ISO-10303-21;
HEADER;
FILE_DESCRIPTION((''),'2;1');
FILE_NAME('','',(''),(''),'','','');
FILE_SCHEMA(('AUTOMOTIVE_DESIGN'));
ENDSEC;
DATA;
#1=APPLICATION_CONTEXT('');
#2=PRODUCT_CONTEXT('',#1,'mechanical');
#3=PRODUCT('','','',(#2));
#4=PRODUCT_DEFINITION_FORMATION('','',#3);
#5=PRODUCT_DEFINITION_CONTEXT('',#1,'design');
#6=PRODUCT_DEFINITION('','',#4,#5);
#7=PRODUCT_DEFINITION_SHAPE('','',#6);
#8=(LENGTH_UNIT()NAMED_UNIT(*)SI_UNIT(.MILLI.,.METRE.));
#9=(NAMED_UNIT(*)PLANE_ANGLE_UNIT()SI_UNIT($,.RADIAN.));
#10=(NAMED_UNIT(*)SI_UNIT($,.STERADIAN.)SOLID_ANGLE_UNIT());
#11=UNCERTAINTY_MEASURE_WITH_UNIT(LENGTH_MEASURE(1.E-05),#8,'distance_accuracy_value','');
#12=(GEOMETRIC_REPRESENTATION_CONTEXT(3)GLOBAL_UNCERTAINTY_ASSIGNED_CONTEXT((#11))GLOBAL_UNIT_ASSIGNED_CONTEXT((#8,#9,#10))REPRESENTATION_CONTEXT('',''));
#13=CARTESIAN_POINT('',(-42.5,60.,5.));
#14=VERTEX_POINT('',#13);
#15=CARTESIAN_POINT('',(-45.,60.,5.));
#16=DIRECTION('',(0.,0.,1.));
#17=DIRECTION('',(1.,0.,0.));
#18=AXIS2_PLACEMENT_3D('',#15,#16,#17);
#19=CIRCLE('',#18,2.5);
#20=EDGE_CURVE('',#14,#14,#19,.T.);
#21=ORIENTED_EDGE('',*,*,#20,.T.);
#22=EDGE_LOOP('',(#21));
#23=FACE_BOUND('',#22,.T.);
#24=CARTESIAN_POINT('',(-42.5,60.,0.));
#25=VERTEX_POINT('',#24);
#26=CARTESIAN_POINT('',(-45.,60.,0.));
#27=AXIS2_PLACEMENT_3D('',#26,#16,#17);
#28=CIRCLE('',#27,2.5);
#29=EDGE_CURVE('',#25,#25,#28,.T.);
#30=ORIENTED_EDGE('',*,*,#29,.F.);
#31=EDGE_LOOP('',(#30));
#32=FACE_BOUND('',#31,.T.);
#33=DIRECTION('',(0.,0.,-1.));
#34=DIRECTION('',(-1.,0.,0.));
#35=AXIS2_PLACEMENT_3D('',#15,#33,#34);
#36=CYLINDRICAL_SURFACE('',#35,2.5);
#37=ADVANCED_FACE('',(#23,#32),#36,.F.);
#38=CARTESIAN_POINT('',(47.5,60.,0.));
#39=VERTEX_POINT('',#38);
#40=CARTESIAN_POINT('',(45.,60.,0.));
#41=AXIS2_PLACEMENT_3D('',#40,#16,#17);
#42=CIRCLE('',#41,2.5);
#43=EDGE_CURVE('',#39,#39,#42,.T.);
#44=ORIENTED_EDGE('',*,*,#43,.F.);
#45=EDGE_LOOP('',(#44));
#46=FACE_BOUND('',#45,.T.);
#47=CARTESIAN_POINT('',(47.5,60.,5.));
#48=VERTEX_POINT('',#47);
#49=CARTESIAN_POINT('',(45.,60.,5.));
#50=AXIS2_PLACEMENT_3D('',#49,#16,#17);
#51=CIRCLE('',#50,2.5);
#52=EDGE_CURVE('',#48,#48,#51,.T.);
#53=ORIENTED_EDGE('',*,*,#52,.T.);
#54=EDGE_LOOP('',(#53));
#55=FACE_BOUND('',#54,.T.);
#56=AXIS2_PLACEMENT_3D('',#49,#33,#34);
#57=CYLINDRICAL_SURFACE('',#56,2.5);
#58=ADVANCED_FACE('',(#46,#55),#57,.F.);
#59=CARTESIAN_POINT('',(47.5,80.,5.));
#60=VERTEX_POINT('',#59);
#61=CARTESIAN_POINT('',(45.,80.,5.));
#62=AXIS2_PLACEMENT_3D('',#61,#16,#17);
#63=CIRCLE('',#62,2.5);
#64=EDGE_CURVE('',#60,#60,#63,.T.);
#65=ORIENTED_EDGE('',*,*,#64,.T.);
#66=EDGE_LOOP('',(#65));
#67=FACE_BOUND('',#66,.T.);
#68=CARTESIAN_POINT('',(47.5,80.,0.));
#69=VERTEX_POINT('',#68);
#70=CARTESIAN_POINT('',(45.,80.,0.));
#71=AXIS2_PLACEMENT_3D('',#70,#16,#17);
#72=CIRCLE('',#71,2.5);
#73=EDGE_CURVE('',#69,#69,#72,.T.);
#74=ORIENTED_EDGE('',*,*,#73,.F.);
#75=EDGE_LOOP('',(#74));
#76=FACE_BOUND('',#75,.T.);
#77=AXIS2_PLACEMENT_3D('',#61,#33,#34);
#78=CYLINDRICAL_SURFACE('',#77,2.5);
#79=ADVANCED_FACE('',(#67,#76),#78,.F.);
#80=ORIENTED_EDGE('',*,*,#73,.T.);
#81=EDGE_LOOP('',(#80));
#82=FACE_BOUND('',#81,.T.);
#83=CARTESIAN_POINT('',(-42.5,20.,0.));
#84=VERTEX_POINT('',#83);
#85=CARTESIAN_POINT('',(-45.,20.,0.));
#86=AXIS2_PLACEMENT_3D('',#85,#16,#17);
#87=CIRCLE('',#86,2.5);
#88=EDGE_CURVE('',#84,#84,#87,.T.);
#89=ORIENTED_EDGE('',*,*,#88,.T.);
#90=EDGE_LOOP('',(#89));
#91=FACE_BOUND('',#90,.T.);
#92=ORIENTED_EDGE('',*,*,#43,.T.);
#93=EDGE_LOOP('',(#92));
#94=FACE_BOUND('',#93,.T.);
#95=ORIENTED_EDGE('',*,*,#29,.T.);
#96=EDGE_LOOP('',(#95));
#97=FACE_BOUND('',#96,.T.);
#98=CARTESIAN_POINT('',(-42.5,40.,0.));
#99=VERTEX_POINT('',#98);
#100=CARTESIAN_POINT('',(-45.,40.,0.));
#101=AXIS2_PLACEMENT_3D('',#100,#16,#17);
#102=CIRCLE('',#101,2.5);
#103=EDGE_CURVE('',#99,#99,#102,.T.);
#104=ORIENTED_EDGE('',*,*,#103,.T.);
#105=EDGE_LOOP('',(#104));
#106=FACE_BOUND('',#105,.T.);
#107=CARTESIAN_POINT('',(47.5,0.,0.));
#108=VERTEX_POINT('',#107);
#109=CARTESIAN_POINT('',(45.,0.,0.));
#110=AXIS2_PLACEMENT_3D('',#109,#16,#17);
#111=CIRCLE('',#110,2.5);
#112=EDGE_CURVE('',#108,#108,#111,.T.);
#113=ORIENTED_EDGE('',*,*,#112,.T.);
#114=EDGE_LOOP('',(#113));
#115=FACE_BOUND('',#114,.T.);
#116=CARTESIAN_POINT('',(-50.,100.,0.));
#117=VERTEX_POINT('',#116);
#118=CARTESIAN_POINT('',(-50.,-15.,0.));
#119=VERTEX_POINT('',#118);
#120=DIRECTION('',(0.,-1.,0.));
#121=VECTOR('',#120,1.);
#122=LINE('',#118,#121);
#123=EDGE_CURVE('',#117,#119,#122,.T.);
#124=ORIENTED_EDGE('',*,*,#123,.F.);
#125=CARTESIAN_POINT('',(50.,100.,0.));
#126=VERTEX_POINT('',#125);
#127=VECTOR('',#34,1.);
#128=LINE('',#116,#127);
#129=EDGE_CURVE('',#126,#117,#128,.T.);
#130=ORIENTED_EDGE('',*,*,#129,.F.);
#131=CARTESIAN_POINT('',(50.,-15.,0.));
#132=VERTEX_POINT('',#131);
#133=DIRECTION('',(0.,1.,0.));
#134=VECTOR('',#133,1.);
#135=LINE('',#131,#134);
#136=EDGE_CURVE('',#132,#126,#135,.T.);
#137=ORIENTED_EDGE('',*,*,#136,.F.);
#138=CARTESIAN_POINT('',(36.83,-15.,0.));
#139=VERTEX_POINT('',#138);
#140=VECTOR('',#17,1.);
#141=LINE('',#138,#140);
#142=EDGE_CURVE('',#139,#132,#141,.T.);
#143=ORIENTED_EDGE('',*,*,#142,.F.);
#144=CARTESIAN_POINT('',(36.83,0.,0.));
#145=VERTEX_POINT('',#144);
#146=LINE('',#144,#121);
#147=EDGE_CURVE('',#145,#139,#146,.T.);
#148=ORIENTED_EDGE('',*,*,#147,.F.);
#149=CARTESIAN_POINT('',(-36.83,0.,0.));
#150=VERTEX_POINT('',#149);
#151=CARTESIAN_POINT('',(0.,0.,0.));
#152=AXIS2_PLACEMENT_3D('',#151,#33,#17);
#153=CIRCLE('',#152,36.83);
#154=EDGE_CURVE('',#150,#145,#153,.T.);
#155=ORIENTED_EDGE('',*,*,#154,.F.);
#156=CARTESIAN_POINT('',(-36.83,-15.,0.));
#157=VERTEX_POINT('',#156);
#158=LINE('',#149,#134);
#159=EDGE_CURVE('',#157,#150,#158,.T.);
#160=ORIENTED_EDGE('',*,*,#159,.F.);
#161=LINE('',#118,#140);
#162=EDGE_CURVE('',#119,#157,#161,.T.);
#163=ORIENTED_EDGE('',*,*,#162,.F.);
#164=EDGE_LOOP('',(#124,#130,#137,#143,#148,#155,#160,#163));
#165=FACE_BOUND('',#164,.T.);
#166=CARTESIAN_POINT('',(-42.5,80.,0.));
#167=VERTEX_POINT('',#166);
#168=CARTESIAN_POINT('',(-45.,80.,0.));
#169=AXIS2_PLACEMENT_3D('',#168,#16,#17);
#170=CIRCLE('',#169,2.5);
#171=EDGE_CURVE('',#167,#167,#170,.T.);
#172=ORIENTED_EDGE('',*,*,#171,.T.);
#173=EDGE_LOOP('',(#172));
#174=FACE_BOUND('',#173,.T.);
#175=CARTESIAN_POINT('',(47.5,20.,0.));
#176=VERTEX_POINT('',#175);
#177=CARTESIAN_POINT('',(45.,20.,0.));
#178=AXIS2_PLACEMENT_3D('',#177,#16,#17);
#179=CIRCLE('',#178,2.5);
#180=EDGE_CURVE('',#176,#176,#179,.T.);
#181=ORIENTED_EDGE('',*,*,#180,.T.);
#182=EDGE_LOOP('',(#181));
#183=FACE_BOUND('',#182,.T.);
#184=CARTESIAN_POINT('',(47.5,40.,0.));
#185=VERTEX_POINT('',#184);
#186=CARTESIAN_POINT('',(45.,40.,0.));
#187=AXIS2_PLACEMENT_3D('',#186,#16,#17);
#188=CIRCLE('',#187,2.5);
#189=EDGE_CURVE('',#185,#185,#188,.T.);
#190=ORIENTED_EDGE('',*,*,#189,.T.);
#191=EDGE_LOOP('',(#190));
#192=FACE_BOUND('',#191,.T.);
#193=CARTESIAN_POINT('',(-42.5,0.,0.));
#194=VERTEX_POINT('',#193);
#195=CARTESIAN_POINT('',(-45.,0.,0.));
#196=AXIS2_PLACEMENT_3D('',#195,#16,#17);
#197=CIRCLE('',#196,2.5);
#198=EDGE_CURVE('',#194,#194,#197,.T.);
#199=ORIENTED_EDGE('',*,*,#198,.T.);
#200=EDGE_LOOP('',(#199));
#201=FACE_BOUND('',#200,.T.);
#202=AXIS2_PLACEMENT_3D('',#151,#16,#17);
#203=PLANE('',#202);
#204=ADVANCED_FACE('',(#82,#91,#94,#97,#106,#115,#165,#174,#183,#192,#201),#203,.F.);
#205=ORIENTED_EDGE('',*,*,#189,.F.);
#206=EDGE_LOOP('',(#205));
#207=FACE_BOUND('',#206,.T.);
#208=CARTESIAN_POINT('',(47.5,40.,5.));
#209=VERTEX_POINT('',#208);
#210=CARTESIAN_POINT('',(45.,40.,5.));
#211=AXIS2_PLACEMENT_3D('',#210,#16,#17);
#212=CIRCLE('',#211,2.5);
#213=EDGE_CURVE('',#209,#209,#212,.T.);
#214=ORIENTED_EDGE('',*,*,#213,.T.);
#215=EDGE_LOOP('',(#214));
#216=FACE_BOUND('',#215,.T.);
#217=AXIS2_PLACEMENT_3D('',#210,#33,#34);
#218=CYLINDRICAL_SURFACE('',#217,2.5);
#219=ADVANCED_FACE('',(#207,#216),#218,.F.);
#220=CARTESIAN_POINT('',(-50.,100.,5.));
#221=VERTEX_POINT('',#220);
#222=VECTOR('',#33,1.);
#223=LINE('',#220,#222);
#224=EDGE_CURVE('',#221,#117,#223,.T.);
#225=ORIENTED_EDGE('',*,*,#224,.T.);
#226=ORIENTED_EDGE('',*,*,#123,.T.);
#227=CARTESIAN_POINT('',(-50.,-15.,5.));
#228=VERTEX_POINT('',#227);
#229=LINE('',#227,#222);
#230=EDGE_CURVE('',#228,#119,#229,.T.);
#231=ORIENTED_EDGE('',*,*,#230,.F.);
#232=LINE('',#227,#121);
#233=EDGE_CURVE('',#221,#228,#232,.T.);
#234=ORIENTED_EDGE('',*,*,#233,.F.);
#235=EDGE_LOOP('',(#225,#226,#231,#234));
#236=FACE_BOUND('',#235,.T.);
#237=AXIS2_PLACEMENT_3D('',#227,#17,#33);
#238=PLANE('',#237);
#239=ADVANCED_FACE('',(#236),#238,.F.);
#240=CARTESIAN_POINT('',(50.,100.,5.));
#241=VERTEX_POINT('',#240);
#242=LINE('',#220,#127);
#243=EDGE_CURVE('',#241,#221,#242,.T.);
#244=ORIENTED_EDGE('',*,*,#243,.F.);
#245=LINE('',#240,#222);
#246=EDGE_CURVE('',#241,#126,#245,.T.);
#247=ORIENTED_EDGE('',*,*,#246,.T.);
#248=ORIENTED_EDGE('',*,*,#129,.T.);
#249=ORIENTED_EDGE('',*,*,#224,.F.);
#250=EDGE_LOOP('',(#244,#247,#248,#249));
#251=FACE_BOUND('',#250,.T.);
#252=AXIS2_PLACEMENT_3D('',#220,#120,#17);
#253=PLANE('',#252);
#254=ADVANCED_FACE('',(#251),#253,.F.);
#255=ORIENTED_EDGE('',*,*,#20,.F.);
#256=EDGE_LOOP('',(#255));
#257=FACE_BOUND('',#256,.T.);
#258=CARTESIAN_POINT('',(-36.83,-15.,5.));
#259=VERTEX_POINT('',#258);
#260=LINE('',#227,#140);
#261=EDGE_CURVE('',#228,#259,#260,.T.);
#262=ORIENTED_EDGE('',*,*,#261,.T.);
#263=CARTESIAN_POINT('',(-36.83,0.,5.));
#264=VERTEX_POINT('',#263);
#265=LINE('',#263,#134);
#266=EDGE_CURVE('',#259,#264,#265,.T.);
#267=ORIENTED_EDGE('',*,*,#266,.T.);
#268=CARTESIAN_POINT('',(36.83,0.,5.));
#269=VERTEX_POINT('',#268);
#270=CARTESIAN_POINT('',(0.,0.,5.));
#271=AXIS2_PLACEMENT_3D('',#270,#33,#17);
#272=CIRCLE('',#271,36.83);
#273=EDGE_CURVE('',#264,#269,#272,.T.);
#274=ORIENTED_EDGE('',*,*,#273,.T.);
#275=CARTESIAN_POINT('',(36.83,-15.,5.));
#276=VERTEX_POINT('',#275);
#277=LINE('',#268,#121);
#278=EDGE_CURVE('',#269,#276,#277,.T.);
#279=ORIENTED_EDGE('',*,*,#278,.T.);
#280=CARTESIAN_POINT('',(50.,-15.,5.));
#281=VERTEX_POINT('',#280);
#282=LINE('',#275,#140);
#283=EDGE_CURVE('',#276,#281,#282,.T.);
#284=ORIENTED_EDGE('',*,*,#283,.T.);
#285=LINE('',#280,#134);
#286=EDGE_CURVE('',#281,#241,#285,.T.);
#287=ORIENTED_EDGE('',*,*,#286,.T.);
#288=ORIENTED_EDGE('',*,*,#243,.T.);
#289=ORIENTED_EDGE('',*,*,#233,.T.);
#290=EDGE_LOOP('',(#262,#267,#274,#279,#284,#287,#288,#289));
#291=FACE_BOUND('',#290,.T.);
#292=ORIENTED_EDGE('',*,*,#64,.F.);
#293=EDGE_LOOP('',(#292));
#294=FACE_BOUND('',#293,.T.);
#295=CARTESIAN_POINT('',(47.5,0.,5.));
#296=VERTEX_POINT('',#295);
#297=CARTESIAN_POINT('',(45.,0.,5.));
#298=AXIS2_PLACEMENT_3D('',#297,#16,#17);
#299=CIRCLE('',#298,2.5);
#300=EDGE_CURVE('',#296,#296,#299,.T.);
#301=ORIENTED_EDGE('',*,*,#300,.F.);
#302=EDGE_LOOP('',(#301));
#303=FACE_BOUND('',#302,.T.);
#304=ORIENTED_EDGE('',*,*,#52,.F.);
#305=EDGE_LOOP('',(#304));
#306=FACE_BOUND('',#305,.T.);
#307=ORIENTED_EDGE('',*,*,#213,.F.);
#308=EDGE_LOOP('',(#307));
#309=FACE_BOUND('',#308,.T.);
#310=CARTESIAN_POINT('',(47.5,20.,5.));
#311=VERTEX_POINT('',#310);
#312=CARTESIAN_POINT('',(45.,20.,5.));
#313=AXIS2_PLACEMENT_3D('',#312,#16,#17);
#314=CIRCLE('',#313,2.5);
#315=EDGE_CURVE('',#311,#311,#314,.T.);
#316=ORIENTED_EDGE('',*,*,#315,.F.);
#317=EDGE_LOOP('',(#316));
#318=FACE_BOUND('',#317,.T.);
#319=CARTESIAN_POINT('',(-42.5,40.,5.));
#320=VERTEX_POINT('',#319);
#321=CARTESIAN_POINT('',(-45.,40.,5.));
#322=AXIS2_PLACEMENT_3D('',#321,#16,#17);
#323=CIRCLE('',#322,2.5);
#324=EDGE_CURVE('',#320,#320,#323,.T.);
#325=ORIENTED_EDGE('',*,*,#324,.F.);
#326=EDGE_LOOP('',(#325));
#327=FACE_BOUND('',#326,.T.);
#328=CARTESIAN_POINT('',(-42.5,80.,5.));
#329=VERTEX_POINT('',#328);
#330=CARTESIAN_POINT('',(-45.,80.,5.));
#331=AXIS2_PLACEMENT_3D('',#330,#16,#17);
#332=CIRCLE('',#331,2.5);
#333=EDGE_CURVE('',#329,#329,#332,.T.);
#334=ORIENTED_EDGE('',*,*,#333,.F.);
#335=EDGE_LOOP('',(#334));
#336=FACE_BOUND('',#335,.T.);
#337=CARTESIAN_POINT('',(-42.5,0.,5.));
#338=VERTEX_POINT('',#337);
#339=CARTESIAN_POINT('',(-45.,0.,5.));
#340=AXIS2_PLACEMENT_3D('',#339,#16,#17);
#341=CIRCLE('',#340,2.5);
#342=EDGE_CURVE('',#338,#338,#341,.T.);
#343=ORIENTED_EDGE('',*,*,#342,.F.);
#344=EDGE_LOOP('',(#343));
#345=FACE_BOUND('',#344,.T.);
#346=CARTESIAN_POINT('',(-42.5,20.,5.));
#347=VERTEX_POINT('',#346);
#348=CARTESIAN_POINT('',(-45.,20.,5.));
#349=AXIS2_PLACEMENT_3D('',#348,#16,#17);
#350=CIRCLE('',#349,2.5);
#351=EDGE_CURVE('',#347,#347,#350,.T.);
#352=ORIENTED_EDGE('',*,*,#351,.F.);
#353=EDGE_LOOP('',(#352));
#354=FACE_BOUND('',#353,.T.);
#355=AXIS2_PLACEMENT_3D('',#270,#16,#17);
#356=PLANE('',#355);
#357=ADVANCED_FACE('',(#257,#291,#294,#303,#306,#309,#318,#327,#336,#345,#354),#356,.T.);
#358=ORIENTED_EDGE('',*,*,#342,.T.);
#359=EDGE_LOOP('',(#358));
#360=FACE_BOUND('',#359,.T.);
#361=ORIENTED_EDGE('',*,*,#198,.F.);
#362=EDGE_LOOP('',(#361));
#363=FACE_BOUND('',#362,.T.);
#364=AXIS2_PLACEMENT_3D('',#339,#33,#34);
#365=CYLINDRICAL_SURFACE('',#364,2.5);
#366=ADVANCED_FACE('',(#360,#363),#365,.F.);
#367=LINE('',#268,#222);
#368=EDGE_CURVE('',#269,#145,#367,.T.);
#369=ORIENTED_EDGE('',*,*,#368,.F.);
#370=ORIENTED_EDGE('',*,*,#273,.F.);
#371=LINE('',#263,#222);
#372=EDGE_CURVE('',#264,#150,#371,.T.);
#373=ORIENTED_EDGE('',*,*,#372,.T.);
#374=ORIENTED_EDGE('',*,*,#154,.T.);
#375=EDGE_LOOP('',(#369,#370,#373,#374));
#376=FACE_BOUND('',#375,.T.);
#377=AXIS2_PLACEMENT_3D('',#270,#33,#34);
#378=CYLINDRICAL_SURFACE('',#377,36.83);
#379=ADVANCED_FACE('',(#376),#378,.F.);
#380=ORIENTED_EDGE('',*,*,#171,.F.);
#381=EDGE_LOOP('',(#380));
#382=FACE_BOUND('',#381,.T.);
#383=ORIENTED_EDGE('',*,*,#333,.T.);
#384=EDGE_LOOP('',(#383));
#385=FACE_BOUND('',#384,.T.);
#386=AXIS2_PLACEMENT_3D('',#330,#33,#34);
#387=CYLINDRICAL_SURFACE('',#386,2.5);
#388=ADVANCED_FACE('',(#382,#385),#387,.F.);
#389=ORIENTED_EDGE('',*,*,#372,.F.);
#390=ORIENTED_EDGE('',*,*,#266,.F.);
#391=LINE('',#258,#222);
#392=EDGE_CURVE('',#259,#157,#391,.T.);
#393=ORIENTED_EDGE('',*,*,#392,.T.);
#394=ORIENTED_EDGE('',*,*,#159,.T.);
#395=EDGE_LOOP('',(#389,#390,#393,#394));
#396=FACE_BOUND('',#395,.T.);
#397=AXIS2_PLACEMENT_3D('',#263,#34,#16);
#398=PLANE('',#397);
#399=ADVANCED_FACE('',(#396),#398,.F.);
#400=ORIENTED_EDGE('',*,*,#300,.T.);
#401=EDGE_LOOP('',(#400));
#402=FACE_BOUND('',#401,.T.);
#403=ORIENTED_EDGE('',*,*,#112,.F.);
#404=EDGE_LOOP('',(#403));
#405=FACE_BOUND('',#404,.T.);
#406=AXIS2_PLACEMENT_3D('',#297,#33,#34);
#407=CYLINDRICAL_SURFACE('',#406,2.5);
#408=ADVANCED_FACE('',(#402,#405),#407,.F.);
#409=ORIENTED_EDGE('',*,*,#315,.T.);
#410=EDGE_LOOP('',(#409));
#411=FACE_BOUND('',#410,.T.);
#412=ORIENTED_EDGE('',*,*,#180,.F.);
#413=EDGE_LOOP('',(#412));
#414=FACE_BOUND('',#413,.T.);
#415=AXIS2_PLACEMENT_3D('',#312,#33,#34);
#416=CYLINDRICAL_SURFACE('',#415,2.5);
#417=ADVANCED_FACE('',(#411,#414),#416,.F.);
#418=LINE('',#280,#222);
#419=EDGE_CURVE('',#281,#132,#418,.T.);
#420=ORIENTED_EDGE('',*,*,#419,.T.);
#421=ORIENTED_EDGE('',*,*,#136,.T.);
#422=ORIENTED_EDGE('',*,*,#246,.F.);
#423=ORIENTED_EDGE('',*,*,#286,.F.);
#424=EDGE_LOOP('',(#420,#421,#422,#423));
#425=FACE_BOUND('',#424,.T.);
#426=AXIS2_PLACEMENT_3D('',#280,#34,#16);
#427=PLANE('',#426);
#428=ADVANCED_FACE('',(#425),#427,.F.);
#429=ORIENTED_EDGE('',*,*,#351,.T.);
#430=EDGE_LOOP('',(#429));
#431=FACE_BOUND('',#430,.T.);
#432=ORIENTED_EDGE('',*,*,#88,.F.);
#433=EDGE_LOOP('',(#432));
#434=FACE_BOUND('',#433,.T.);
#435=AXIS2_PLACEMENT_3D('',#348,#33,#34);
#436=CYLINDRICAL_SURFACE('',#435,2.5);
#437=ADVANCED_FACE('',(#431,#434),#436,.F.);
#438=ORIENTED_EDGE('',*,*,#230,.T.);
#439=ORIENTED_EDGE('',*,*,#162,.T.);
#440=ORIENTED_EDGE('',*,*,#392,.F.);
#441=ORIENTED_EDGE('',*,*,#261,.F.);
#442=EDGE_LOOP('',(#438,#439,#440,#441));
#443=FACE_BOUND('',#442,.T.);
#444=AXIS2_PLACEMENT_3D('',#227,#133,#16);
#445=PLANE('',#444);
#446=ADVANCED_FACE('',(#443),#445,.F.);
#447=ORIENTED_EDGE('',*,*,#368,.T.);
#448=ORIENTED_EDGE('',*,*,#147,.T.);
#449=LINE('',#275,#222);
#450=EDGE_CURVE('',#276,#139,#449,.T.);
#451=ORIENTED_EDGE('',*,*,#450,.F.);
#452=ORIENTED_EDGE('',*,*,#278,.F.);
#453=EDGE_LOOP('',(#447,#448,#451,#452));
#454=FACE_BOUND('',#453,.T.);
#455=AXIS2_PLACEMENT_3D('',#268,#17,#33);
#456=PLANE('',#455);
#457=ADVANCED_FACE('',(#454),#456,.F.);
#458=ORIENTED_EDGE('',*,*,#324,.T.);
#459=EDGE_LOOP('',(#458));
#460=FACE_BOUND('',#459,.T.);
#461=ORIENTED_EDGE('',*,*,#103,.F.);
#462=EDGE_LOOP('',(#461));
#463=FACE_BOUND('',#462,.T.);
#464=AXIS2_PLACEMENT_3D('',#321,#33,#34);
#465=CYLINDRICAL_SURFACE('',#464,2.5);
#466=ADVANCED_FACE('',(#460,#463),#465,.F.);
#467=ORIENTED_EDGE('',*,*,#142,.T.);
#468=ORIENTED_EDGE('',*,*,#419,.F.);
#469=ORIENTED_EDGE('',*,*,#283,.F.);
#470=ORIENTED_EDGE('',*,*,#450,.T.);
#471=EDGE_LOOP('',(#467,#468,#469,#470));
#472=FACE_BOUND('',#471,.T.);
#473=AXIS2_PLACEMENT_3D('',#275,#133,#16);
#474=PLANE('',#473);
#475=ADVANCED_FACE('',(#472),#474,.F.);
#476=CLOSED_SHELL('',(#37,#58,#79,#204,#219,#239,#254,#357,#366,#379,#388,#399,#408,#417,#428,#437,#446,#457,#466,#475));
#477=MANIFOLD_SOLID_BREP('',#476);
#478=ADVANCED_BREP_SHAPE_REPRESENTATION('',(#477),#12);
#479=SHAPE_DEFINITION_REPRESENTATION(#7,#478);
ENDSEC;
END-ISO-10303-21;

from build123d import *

# Parameters (mm, degrees)
SKETCH1_R           = 2.5
BOSS_EXTRUDE1_DEPTH = 5


with BuildPart() as part:
    # Sketch1 → Boss-Extrude1 (new body)
    with BuildSketch(Plane.XY):
        with BuildLine():
            Line((-50, -15), (-50, 100))
            Line((-50, 100), (50, 100))
            Line((50, 100), (50, -15))
            Line((50, -15), (36.83, -15))
            Line((36.83, -15), (36.83, 0))
            ThreePointArc((36.83, 0), (0, 36.83), (-36.83, 0))
            Line((-36.83, 0), (-36.83, -15))
            Line((-36.83, -15), (-50, -15))
        make_face()
        with Locations((-45, 0)):
            Circle(SKETCH1_R, mode=Mode.SUBTRACT)
        with Locations((45, 0)):
            Circle(SKETCH1_R, mode=Mode.SUBTRACT)
        with Locations((45, 20)):
            Circle(SKETCH1_R, mode=Mode.SUBTRACT)
        with Locations((45, 40)):
            Circle(SKETCH1_R, mode=Mode.SUBTRACT)
        with Locations((45, 60)):
            Circle(SKETCH1_R, mode=Mode.SUBTRACT)
        with Locations((45, 80)):
            Circle(SKETCH1_R, mode=Mode.SUBTRACT)
        with Locations((-45, 20)):
            Circle(SKETCH1_R, mode=Mode.SUBTRACT)
        with Locations((-45, 40)):
            Circle(SKETCH1_R, mode=Mode.SUBTRACT)
        with Locations((-45, 60)):
            Circle(SKETCH1_R, mode=Mode.SUBTRACT)
        with Locations((-45, 80)):
            Circle(SKETCH1_R, mode=Mode.SUBTRACT)
    extrude(amount=BOSS_EXTRUDE1_DEPTH)


solid = part.part
